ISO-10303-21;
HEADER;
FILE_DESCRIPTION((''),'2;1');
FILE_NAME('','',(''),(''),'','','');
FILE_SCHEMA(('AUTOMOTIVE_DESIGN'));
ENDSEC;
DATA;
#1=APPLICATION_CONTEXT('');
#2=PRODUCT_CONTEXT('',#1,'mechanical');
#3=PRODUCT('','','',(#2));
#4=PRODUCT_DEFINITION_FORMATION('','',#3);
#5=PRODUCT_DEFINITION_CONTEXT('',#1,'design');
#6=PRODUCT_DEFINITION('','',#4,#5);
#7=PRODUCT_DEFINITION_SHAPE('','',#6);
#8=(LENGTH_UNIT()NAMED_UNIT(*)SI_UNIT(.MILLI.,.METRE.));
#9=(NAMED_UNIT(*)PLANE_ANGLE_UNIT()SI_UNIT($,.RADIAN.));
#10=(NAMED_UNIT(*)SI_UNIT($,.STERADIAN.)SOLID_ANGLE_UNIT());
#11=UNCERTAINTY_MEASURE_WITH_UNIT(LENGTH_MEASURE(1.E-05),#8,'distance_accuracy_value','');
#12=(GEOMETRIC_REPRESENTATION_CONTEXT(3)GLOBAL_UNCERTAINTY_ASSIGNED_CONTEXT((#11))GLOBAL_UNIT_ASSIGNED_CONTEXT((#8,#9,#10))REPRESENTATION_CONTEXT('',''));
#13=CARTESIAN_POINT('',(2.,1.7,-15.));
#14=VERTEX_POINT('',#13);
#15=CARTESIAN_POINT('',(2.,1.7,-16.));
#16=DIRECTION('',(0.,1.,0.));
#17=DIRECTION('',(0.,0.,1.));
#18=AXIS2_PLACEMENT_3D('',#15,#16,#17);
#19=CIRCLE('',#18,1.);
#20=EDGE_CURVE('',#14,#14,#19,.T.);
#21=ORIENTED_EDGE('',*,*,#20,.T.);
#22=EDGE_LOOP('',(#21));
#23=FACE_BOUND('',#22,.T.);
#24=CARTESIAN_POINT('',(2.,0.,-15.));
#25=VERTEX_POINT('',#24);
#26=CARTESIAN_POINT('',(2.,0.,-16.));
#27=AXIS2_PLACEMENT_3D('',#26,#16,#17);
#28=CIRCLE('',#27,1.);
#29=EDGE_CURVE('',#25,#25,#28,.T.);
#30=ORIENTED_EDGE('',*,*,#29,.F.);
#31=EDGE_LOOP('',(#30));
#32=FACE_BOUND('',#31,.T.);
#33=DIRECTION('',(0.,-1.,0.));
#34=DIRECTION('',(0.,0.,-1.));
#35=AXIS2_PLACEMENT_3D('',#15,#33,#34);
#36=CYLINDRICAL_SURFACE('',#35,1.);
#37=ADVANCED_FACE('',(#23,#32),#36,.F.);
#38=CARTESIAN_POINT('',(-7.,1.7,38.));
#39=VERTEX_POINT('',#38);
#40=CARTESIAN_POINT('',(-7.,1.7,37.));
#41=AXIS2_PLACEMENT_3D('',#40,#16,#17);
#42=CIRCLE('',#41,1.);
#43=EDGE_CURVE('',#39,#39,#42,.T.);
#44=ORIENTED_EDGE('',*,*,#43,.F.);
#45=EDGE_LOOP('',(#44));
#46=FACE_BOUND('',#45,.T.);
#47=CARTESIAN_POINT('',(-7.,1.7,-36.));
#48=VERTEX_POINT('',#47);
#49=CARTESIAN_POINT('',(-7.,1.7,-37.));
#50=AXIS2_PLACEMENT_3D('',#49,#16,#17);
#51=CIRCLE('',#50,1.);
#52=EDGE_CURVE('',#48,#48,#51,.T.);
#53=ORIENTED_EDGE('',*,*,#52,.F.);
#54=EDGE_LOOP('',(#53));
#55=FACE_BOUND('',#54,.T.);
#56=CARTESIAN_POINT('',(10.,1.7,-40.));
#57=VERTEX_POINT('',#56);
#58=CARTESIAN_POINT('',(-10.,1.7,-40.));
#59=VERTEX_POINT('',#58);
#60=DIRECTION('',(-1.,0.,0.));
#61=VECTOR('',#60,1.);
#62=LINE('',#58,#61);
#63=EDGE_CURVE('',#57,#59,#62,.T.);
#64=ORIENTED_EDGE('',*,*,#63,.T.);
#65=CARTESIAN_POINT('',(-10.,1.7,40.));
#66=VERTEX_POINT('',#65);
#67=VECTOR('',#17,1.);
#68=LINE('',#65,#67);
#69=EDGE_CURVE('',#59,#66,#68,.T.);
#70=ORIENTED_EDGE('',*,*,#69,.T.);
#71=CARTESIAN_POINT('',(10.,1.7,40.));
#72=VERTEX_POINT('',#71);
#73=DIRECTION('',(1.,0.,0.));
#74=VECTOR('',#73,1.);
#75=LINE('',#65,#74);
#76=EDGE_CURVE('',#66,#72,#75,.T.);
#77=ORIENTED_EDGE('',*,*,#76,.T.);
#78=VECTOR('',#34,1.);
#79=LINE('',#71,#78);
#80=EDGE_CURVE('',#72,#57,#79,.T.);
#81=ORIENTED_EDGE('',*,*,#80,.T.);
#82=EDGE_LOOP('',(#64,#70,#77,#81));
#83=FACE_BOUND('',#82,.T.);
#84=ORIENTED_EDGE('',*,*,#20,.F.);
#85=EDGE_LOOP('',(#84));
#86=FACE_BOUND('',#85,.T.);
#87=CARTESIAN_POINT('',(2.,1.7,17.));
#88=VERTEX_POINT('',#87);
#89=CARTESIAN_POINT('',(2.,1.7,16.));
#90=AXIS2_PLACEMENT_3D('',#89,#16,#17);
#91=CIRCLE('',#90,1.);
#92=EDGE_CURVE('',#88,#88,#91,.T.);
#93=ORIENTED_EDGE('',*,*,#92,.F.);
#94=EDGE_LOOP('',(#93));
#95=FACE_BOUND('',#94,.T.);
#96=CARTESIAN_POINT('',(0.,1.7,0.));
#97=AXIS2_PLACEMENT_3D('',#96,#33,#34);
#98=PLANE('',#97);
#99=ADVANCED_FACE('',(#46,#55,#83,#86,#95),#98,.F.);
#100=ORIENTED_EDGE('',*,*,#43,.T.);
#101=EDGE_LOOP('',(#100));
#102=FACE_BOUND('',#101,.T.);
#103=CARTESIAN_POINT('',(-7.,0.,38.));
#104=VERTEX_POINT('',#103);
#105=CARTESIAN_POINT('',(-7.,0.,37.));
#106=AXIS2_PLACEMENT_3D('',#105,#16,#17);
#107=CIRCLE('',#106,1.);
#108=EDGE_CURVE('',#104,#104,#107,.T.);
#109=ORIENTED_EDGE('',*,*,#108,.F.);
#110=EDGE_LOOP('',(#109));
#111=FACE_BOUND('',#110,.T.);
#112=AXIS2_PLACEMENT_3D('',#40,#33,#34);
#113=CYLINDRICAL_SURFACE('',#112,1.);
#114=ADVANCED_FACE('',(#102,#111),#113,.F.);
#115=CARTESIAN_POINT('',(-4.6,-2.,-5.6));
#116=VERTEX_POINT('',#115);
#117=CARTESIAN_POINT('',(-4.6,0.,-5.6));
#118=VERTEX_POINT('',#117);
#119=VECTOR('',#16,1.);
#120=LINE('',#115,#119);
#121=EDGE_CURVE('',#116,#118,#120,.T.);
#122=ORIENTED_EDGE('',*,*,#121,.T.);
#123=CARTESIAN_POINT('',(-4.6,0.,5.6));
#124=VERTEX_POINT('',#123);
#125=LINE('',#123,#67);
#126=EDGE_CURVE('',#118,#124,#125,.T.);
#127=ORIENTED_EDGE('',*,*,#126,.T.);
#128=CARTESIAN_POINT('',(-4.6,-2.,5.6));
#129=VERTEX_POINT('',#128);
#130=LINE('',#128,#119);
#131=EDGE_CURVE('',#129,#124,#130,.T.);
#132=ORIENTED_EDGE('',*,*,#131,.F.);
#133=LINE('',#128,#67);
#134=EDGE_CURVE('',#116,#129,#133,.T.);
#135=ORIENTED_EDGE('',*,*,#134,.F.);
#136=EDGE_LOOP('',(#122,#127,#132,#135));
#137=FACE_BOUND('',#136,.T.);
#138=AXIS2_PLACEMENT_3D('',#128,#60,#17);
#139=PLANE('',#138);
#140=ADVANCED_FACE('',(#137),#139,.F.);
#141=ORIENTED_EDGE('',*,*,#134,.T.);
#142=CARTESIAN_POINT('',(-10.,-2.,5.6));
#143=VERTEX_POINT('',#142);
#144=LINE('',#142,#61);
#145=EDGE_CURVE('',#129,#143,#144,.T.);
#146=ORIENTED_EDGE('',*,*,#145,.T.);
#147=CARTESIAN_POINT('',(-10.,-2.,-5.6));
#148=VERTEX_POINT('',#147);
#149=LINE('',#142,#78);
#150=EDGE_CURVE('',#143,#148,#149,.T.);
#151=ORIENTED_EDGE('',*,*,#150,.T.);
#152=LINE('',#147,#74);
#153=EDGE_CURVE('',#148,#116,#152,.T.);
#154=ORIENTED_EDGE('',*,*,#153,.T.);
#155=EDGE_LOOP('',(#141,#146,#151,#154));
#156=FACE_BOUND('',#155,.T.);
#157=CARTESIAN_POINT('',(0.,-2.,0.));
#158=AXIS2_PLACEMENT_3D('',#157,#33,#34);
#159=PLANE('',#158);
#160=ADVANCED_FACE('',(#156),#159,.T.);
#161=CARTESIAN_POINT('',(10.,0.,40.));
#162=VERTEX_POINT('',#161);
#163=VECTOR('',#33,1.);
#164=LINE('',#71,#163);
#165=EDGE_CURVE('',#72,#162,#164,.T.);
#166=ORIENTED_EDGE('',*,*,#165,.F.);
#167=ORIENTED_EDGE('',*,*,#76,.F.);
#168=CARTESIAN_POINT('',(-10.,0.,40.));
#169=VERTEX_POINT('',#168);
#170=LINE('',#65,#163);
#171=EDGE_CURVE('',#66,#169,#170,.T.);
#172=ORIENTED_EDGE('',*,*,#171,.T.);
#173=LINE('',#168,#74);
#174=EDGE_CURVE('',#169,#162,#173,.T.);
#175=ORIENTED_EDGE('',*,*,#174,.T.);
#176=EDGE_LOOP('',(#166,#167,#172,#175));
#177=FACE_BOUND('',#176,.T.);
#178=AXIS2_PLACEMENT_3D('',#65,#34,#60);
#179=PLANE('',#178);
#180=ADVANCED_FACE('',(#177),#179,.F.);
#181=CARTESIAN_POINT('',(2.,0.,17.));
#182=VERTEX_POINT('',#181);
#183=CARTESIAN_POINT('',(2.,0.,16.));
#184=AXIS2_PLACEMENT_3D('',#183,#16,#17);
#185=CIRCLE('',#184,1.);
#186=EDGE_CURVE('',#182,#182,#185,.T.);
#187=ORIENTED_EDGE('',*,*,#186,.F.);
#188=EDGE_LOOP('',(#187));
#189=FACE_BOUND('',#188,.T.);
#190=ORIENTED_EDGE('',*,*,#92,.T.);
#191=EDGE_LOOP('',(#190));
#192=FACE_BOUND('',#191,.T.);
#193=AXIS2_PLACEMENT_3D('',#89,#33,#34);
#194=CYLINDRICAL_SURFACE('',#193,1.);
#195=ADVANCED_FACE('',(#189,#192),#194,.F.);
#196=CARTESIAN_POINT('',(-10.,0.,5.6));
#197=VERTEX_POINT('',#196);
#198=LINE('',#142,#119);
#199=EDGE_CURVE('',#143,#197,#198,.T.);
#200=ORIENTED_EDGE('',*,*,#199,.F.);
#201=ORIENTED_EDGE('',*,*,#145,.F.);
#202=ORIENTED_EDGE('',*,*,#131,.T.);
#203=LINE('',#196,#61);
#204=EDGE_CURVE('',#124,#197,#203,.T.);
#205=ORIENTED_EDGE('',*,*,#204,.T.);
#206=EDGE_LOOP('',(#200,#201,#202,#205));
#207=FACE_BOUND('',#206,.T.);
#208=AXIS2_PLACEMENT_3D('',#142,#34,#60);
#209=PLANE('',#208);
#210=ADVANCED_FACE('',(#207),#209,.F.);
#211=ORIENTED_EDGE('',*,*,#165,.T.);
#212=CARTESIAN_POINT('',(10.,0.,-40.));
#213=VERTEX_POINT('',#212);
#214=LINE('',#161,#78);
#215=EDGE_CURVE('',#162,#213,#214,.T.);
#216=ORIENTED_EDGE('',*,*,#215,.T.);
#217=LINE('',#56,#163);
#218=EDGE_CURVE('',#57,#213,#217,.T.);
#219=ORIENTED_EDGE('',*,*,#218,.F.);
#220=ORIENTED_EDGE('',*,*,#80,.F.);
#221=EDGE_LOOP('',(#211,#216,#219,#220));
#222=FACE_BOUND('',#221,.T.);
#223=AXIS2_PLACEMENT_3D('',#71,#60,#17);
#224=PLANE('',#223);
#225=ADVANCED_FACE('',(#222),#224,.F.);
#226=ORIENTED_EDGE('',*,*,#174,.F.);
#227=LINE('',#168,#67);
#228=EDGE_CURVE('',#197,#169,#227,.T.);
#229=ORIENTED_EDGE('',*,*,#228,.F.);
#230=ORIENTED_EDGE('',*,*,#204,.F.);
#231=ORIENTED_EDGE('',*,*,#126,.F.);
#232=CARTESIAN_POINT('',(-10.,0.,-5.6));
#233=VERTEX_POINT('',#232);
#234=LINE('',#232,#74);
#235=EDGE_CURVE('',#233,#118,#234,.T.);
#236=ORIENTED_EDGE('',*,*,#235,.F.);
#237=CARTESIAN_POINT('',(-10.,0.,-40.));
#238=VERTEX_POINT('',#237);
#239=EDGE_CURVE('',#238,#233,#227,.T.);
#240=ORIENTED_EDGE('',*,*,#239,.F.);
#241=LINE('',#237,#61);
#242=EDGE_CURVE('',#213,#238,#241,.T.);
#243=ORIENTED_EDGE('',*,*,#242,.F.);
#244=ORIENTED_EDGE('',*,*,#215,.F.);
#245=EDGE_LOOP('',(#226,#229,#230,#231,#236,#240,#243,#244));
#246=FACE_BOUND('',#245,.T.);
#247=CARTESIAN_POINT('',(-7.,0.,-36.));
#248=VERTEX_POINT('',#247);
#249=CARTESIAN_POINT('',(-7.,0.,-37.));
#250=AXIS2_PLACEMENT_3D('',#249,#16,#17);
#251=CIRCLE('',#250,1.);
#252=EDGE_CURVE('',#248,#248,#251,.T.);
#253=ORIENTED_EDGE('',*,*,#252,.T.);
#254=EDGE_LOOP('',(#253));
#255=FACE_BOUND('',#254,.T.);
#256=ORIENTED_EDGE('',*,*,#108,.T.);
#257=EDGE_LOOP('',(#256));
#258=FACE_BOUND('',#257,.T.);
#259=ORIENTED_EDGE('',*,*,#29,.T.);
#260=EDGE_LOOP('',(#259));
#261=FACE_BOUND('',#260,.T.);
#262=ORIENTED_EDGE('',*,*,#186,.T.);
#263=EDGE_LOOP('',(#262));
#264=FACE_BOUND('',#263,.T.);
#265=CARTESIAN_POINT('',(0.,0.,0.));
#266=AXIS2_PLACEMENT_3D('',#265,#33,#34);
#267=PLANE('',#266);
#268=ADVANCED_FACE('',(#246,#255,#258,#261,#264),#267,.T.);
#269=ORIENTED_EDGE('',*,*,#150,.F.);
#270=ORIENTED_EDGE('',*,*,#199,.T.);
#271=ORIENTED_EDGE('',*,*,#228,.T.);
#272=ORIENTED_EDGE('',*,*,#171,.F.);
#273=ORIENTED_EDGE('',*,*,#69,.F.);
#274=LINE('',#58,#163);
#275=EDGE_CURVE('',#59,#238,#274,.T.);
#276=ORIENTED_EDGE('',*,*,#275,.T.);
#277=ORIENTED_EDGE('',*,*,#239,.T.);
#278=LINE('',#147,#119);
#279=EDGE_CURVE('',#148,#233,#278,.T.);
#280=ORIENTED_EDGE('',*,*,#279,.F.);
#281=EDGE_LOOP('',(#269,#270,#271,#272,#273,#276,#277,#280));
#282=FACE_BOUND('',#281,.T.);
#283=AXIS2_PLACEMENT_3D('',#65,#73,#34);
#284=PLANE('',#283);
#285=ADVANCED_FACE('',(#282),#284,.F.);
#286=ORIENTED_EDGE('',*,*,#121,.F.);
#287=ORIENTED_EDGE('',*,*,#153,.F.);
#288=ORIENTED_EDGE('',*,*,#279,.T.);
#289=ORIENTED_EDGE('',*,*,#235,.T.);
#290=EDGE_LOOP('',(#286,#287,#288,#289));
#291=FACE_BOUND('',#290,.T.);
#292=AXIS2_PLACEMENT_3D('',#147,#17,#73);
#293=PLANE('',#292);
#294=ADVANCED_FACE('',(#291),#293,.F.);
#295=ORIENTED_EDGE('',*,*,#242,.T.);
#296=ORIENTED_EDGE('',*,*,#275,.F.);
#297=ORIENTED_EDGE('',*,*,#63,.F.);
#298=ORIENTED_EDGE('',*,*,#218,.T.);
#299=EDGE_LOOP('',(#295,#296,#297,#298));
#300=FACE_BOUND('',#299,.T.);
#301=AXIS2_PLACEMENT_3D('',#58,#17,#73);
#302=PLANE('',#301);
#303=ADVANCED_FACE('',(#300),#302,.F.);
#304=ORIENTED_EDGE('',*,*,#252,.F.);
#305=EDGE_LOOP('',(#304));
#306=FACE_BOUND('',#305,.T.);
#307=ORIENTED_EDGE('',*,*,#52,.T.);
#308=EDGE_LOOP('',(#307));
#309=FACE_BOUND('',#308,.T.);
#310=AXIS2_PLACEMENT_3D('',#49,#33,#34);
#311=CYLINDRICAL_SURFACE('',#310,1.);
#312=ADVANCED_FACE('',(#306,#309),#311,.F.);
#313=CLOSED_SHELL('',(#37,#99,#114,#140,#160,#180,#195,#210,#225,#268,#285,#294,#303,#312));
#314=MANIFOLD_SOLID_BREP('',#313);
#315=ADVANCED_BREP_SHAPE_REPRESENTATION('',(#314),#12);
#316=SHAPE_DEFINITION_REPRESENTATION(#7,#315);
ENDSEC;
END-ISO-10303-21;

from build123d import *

# Parameters (mm, degrees)
SKETCH_1_W      = 20
SKETCH_1_H      = 80
SKETCH_1_R      = 1
EXTRUDE_1_DEPTH = 1.7
SKETCH_3_W      = 5.4
SKETCH_3_H      = 11.2
EXTRUDE_2_DEPTH = 2


with BuildPart() as part:
    # 草图1 → 凸台-拉伸1 (new body)
    with BuildSketch(Plane(origin=(0, 0, 0), x_dir=(1, 0, 0), z_dir=(0, 1, 0))):
        Rectangle(SKETCH_1_W, SKETCH_1_H)
        with Locations(Location((2, 16, 0), (0, 0, 270))):
            Circle(SKETCH_1_R, mode=Mode.SUBTRACT)
        with Locations(Location((2, -16, 0), (0, 0, 270))):
            Circle(SKETCH_1_R, mode=Mode.SUBTRACT)
        with Locations(Location((-7, 37, 0), (0, 0, 270))):
            Circle(SKETCH_1_R, mode=Mode.SUBTRACT)
        with Locations(Location((-7, -37, 0), (0, 0, 270))):
            Circle(SKETCH_1_R, mode=Mode.SUBTRACT)
    extrude(amount=EXTRUDE_1_DEPTH)

    # 草图3 → 凸台-拉伸2 (add)
    with BuildSketch(Plane.XZ):
        with Locations((-7.3, 0)):
            Rectangle(SKETCH_3_W, SKETCH_3_H)
    extrude(amount=EXTRUDE_2_DEPTH)


solid = part.part
